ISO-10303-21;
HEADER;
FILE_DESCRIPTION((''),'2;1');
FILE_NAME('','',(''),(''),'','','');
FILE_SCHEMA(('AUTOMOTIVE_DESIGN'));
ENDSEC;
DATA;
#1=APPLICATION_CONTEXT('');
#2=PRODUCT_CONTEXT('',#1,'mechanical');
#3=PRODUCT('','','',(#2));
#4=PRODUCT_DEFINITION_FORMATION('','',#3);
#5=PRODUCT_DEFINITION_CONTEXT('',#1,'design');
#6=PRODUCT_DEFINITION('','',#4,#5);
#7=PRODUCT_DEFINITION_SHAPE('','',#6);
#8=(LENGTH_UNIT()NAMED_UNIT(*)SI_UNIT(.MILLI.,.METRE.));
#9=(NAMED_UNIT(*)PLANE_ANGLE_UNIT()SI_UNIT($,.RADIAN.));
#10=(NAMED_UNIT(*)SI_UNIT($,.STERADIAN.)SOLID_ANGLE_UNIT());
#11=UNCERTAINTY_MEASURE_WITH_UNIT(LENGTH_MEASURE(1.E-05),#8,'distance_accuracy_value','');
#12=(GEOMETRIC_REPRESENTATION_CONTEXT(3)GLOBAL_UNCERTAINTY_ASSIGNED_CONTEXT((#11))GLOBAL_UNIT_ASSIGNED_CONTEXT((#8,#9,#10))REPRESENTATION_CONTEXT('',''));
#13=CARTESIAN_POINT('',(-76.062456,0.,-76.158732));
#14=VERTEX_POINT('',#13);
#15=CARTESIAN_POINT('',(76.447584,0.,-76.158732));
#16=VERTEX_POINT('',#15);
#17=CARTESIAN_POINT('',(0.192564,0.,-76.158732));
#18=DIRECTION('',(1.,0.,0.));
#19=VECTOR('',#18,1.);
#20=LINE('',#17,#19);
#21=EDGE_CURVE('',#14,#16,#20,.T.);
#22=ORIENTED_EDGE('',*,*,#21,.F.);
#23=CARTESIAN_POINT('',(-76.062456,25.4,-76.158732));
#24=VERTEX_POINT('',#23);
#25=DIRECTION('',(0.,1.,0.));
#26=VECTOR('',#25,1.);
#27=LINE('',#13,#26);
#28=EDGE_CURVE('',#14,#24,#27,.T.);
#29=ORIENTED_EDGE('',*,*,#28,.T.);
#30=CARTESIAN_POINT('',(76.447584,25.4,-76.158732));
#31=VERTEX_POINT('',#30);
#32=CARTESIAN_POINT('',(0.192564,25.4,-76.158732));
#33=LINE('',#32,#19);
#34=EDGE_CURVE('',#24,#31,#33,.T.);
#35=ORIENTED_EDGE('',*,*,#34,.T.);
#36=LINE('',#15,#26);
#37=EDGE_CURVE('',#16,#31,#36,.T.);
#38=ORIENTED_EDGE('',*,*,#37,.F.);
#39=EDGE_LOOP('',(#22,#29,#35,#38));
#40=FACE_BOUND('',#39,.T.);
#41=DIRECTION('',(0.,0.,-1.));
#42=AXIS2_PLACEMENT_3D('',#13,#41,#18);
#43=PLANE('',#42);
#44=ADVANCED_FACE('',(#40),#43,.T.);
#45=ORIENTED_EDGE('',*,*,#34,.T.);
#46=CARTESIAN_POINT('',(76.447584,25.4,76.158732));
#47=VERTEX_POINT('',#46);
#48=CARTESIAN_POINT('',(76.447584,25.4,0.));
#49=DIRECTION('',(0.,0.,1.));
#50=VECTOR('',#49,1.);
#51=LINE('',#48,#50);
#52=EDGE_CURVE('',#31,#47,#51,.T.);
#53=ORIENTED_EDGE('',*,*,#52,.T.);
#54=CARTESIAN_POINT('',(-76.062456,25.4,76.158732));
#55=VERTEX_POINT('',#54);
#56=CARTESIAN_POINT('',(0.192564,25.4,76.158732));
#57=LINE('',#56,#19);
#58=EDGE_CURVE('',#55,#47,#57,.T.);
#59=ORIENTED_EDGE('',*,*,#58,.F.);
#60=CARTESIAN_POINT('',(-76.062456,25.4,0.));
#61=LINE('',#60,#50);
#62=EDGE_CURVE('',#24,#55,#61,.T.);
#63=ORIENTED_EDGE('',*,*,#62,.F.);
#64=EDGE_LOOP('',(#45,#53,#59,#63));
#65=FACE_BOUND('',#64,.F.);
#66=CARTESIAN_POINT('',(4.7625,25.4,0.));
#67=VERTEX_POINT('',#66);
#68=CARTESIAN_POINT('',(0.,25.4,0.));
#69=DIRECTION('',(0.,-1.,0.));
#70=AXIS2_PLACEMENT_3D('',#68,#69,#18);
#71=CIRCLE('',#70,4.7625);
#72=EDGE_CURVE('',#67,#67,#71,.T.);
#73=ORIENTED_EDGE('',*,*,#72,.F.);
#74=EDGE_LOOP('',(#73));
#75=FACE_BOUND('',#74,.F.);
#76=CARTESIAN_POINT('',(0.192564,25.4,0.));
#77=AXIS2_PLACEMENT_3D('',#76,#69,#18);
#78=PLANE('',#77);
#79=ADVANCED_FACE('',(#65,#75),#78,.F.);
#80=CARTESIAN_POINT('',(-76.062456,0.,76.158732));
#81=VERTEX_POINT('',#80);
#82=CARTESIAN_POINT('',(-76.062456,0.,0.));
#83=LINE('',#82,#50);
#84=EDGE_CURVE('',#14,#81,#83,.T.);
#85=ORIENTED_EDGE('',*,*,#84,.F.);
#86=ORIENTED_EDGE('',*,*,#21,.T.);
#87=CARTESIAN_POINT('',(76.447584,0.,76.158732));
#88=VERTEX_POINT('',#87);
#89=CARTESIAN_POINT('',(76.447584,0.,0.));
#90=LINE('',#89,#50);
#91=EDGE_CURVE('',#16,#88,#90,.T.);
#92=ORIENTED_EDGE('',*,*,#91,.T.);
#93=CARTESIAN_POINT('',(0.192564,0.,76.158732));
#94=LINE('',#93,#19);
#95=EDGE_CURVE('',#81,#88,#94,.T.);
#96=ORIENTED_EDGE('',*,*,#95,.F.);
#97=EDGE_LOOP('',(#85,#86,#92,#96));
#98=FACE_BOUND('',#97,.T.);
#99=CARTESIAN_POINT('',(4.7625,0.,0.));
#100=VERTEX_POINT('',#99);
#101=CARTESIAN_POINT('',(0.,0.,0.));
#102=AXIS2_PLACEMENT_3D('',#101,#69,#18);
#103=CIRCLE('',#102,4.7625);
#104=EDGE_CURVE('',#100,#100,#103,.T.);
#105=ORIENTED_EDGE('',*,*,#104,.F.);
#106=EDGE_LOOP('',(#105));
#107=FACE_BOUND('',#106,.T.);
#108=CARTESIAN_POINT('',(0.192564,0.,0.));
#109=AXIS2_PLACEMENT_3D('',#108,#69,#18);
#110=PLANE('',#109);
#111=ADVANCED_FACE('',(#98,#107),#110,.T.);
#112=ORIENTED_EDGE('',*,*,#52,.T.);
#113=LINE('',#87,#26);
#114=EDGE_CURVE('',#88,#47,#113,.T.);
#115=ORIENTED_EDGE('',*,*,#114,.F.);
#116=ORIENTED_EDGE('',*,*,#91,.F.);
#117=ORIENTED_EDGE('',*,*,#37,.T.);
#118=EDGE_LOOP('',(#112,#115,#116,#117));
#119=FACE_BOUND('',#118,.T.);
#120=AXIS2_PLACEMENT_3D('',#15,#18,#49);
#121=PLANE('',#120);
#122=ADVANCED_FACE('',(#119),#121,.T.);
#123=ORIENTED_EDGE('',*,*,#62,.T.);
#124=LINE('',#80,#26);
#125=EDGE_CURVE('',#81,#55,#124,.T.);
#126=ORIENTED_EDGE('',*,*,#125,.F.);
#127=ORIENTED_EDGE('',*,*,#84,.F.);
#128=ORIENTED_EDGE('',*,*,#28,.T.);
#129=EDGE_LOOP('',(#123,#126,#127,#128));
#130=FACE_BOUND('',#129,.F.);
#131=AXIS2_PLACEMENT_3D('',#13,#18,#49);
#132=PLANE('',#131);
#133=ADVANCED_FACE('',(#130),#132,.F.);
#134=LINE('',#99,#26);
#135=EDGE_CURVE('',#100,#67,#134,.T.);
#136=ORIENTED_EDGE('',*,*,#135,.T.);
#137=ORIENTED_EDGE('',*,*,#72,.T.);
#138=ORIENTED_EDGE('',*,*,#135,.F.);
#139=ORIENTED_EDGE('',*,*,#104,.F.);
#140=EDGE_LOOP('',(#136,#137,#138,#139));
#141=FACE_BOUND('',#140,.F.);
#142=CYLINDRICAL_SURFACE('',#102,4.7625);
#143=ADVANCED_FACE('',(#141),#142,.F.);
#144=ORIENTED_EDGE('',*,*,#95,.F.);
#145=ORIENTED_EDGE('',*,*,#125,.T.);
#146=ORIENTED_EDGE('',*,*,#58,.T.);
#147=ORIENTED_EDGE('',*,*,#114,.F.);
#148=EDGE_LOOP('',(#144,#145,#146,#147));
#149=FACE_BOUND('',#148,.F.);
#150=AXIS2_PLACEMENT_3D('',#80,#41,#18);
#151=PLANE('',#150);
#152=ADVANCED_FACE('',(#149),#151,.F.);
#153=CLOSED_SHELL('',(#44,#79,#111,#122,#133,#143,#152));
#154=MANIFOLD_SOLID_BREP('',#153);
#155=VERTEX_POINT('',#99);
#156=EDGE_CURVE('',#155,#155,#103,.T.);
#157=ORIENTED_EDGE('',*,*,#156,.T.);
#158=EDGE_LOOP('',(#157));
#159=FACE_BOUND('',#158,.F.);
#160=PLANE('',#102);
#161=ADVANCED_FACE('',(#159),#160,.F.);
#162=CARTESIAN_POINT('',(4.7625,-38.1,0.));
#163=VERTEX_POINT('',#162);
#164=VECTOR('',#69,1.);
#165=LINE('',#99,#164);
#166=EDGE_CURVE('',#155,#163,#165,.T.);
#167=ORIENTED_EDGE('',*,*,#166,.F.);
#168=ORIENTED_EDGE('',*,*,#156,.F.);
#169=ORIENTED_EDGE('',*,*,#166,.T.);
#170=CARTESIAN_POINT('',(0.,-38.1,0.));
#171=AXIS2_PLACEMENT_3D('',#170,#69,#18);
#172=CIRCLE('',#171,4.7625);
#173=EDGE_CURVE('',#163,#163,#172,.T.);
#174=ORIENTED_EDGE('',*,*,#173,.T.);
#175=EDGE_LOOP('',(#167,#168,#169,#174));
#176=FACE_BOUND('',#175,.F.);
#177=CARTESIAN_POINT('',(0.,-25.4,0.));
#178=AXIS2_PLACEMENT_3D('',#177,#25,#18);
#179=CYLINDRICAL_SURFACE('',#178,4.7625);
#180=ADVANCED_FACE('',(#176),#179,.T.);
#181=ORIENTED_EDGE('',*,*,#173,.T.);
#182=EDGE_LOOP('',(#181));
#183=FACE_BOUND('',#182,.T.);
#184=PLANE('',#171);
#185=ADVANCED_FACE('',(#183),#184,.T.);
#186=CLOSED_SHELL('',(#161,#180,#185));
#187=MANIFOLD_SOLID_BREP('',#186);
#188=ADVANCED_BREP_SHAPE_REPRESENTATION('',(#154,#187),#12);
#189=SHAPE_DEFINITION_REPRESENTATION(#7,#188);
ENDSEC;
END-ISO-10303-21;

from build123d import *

# Parameters (mm, degrees)
F0_R     = 4.7625
F1_DEPTH = 25.4
F0_W     = 152.5100395083
F0_H     = 152.3174643517
F2_DEPTH = 25.4
F3_DEPTH = 12.7


with BuildPart() as f1:
    # F0 (on Front) → F1 (new body)
    with BuildSketch(Plane.XZ):
        Circle(F0_R)
    extrude(amount=F1_DEPTH)

    # F0 (on Front) → F2 (join)
    with BuildSketch(Plane.XZ):
        with Locations((0.1925639808, 0)):
            Rectangle(F0_W, F0_H)
        Circle(F0_R, mode=Mode.SUBTRACT)
    extrude(amount=-F2_DEPTH)

    # F3 (add): a face of the model
    f3_faces = [f1.faces().sort_by_distance(p)[0] for p in [
        (0, -25.4, 0),
    ]]
    extrude(f3_faces, amount=F3_DEPTH)


solid = f1.part
